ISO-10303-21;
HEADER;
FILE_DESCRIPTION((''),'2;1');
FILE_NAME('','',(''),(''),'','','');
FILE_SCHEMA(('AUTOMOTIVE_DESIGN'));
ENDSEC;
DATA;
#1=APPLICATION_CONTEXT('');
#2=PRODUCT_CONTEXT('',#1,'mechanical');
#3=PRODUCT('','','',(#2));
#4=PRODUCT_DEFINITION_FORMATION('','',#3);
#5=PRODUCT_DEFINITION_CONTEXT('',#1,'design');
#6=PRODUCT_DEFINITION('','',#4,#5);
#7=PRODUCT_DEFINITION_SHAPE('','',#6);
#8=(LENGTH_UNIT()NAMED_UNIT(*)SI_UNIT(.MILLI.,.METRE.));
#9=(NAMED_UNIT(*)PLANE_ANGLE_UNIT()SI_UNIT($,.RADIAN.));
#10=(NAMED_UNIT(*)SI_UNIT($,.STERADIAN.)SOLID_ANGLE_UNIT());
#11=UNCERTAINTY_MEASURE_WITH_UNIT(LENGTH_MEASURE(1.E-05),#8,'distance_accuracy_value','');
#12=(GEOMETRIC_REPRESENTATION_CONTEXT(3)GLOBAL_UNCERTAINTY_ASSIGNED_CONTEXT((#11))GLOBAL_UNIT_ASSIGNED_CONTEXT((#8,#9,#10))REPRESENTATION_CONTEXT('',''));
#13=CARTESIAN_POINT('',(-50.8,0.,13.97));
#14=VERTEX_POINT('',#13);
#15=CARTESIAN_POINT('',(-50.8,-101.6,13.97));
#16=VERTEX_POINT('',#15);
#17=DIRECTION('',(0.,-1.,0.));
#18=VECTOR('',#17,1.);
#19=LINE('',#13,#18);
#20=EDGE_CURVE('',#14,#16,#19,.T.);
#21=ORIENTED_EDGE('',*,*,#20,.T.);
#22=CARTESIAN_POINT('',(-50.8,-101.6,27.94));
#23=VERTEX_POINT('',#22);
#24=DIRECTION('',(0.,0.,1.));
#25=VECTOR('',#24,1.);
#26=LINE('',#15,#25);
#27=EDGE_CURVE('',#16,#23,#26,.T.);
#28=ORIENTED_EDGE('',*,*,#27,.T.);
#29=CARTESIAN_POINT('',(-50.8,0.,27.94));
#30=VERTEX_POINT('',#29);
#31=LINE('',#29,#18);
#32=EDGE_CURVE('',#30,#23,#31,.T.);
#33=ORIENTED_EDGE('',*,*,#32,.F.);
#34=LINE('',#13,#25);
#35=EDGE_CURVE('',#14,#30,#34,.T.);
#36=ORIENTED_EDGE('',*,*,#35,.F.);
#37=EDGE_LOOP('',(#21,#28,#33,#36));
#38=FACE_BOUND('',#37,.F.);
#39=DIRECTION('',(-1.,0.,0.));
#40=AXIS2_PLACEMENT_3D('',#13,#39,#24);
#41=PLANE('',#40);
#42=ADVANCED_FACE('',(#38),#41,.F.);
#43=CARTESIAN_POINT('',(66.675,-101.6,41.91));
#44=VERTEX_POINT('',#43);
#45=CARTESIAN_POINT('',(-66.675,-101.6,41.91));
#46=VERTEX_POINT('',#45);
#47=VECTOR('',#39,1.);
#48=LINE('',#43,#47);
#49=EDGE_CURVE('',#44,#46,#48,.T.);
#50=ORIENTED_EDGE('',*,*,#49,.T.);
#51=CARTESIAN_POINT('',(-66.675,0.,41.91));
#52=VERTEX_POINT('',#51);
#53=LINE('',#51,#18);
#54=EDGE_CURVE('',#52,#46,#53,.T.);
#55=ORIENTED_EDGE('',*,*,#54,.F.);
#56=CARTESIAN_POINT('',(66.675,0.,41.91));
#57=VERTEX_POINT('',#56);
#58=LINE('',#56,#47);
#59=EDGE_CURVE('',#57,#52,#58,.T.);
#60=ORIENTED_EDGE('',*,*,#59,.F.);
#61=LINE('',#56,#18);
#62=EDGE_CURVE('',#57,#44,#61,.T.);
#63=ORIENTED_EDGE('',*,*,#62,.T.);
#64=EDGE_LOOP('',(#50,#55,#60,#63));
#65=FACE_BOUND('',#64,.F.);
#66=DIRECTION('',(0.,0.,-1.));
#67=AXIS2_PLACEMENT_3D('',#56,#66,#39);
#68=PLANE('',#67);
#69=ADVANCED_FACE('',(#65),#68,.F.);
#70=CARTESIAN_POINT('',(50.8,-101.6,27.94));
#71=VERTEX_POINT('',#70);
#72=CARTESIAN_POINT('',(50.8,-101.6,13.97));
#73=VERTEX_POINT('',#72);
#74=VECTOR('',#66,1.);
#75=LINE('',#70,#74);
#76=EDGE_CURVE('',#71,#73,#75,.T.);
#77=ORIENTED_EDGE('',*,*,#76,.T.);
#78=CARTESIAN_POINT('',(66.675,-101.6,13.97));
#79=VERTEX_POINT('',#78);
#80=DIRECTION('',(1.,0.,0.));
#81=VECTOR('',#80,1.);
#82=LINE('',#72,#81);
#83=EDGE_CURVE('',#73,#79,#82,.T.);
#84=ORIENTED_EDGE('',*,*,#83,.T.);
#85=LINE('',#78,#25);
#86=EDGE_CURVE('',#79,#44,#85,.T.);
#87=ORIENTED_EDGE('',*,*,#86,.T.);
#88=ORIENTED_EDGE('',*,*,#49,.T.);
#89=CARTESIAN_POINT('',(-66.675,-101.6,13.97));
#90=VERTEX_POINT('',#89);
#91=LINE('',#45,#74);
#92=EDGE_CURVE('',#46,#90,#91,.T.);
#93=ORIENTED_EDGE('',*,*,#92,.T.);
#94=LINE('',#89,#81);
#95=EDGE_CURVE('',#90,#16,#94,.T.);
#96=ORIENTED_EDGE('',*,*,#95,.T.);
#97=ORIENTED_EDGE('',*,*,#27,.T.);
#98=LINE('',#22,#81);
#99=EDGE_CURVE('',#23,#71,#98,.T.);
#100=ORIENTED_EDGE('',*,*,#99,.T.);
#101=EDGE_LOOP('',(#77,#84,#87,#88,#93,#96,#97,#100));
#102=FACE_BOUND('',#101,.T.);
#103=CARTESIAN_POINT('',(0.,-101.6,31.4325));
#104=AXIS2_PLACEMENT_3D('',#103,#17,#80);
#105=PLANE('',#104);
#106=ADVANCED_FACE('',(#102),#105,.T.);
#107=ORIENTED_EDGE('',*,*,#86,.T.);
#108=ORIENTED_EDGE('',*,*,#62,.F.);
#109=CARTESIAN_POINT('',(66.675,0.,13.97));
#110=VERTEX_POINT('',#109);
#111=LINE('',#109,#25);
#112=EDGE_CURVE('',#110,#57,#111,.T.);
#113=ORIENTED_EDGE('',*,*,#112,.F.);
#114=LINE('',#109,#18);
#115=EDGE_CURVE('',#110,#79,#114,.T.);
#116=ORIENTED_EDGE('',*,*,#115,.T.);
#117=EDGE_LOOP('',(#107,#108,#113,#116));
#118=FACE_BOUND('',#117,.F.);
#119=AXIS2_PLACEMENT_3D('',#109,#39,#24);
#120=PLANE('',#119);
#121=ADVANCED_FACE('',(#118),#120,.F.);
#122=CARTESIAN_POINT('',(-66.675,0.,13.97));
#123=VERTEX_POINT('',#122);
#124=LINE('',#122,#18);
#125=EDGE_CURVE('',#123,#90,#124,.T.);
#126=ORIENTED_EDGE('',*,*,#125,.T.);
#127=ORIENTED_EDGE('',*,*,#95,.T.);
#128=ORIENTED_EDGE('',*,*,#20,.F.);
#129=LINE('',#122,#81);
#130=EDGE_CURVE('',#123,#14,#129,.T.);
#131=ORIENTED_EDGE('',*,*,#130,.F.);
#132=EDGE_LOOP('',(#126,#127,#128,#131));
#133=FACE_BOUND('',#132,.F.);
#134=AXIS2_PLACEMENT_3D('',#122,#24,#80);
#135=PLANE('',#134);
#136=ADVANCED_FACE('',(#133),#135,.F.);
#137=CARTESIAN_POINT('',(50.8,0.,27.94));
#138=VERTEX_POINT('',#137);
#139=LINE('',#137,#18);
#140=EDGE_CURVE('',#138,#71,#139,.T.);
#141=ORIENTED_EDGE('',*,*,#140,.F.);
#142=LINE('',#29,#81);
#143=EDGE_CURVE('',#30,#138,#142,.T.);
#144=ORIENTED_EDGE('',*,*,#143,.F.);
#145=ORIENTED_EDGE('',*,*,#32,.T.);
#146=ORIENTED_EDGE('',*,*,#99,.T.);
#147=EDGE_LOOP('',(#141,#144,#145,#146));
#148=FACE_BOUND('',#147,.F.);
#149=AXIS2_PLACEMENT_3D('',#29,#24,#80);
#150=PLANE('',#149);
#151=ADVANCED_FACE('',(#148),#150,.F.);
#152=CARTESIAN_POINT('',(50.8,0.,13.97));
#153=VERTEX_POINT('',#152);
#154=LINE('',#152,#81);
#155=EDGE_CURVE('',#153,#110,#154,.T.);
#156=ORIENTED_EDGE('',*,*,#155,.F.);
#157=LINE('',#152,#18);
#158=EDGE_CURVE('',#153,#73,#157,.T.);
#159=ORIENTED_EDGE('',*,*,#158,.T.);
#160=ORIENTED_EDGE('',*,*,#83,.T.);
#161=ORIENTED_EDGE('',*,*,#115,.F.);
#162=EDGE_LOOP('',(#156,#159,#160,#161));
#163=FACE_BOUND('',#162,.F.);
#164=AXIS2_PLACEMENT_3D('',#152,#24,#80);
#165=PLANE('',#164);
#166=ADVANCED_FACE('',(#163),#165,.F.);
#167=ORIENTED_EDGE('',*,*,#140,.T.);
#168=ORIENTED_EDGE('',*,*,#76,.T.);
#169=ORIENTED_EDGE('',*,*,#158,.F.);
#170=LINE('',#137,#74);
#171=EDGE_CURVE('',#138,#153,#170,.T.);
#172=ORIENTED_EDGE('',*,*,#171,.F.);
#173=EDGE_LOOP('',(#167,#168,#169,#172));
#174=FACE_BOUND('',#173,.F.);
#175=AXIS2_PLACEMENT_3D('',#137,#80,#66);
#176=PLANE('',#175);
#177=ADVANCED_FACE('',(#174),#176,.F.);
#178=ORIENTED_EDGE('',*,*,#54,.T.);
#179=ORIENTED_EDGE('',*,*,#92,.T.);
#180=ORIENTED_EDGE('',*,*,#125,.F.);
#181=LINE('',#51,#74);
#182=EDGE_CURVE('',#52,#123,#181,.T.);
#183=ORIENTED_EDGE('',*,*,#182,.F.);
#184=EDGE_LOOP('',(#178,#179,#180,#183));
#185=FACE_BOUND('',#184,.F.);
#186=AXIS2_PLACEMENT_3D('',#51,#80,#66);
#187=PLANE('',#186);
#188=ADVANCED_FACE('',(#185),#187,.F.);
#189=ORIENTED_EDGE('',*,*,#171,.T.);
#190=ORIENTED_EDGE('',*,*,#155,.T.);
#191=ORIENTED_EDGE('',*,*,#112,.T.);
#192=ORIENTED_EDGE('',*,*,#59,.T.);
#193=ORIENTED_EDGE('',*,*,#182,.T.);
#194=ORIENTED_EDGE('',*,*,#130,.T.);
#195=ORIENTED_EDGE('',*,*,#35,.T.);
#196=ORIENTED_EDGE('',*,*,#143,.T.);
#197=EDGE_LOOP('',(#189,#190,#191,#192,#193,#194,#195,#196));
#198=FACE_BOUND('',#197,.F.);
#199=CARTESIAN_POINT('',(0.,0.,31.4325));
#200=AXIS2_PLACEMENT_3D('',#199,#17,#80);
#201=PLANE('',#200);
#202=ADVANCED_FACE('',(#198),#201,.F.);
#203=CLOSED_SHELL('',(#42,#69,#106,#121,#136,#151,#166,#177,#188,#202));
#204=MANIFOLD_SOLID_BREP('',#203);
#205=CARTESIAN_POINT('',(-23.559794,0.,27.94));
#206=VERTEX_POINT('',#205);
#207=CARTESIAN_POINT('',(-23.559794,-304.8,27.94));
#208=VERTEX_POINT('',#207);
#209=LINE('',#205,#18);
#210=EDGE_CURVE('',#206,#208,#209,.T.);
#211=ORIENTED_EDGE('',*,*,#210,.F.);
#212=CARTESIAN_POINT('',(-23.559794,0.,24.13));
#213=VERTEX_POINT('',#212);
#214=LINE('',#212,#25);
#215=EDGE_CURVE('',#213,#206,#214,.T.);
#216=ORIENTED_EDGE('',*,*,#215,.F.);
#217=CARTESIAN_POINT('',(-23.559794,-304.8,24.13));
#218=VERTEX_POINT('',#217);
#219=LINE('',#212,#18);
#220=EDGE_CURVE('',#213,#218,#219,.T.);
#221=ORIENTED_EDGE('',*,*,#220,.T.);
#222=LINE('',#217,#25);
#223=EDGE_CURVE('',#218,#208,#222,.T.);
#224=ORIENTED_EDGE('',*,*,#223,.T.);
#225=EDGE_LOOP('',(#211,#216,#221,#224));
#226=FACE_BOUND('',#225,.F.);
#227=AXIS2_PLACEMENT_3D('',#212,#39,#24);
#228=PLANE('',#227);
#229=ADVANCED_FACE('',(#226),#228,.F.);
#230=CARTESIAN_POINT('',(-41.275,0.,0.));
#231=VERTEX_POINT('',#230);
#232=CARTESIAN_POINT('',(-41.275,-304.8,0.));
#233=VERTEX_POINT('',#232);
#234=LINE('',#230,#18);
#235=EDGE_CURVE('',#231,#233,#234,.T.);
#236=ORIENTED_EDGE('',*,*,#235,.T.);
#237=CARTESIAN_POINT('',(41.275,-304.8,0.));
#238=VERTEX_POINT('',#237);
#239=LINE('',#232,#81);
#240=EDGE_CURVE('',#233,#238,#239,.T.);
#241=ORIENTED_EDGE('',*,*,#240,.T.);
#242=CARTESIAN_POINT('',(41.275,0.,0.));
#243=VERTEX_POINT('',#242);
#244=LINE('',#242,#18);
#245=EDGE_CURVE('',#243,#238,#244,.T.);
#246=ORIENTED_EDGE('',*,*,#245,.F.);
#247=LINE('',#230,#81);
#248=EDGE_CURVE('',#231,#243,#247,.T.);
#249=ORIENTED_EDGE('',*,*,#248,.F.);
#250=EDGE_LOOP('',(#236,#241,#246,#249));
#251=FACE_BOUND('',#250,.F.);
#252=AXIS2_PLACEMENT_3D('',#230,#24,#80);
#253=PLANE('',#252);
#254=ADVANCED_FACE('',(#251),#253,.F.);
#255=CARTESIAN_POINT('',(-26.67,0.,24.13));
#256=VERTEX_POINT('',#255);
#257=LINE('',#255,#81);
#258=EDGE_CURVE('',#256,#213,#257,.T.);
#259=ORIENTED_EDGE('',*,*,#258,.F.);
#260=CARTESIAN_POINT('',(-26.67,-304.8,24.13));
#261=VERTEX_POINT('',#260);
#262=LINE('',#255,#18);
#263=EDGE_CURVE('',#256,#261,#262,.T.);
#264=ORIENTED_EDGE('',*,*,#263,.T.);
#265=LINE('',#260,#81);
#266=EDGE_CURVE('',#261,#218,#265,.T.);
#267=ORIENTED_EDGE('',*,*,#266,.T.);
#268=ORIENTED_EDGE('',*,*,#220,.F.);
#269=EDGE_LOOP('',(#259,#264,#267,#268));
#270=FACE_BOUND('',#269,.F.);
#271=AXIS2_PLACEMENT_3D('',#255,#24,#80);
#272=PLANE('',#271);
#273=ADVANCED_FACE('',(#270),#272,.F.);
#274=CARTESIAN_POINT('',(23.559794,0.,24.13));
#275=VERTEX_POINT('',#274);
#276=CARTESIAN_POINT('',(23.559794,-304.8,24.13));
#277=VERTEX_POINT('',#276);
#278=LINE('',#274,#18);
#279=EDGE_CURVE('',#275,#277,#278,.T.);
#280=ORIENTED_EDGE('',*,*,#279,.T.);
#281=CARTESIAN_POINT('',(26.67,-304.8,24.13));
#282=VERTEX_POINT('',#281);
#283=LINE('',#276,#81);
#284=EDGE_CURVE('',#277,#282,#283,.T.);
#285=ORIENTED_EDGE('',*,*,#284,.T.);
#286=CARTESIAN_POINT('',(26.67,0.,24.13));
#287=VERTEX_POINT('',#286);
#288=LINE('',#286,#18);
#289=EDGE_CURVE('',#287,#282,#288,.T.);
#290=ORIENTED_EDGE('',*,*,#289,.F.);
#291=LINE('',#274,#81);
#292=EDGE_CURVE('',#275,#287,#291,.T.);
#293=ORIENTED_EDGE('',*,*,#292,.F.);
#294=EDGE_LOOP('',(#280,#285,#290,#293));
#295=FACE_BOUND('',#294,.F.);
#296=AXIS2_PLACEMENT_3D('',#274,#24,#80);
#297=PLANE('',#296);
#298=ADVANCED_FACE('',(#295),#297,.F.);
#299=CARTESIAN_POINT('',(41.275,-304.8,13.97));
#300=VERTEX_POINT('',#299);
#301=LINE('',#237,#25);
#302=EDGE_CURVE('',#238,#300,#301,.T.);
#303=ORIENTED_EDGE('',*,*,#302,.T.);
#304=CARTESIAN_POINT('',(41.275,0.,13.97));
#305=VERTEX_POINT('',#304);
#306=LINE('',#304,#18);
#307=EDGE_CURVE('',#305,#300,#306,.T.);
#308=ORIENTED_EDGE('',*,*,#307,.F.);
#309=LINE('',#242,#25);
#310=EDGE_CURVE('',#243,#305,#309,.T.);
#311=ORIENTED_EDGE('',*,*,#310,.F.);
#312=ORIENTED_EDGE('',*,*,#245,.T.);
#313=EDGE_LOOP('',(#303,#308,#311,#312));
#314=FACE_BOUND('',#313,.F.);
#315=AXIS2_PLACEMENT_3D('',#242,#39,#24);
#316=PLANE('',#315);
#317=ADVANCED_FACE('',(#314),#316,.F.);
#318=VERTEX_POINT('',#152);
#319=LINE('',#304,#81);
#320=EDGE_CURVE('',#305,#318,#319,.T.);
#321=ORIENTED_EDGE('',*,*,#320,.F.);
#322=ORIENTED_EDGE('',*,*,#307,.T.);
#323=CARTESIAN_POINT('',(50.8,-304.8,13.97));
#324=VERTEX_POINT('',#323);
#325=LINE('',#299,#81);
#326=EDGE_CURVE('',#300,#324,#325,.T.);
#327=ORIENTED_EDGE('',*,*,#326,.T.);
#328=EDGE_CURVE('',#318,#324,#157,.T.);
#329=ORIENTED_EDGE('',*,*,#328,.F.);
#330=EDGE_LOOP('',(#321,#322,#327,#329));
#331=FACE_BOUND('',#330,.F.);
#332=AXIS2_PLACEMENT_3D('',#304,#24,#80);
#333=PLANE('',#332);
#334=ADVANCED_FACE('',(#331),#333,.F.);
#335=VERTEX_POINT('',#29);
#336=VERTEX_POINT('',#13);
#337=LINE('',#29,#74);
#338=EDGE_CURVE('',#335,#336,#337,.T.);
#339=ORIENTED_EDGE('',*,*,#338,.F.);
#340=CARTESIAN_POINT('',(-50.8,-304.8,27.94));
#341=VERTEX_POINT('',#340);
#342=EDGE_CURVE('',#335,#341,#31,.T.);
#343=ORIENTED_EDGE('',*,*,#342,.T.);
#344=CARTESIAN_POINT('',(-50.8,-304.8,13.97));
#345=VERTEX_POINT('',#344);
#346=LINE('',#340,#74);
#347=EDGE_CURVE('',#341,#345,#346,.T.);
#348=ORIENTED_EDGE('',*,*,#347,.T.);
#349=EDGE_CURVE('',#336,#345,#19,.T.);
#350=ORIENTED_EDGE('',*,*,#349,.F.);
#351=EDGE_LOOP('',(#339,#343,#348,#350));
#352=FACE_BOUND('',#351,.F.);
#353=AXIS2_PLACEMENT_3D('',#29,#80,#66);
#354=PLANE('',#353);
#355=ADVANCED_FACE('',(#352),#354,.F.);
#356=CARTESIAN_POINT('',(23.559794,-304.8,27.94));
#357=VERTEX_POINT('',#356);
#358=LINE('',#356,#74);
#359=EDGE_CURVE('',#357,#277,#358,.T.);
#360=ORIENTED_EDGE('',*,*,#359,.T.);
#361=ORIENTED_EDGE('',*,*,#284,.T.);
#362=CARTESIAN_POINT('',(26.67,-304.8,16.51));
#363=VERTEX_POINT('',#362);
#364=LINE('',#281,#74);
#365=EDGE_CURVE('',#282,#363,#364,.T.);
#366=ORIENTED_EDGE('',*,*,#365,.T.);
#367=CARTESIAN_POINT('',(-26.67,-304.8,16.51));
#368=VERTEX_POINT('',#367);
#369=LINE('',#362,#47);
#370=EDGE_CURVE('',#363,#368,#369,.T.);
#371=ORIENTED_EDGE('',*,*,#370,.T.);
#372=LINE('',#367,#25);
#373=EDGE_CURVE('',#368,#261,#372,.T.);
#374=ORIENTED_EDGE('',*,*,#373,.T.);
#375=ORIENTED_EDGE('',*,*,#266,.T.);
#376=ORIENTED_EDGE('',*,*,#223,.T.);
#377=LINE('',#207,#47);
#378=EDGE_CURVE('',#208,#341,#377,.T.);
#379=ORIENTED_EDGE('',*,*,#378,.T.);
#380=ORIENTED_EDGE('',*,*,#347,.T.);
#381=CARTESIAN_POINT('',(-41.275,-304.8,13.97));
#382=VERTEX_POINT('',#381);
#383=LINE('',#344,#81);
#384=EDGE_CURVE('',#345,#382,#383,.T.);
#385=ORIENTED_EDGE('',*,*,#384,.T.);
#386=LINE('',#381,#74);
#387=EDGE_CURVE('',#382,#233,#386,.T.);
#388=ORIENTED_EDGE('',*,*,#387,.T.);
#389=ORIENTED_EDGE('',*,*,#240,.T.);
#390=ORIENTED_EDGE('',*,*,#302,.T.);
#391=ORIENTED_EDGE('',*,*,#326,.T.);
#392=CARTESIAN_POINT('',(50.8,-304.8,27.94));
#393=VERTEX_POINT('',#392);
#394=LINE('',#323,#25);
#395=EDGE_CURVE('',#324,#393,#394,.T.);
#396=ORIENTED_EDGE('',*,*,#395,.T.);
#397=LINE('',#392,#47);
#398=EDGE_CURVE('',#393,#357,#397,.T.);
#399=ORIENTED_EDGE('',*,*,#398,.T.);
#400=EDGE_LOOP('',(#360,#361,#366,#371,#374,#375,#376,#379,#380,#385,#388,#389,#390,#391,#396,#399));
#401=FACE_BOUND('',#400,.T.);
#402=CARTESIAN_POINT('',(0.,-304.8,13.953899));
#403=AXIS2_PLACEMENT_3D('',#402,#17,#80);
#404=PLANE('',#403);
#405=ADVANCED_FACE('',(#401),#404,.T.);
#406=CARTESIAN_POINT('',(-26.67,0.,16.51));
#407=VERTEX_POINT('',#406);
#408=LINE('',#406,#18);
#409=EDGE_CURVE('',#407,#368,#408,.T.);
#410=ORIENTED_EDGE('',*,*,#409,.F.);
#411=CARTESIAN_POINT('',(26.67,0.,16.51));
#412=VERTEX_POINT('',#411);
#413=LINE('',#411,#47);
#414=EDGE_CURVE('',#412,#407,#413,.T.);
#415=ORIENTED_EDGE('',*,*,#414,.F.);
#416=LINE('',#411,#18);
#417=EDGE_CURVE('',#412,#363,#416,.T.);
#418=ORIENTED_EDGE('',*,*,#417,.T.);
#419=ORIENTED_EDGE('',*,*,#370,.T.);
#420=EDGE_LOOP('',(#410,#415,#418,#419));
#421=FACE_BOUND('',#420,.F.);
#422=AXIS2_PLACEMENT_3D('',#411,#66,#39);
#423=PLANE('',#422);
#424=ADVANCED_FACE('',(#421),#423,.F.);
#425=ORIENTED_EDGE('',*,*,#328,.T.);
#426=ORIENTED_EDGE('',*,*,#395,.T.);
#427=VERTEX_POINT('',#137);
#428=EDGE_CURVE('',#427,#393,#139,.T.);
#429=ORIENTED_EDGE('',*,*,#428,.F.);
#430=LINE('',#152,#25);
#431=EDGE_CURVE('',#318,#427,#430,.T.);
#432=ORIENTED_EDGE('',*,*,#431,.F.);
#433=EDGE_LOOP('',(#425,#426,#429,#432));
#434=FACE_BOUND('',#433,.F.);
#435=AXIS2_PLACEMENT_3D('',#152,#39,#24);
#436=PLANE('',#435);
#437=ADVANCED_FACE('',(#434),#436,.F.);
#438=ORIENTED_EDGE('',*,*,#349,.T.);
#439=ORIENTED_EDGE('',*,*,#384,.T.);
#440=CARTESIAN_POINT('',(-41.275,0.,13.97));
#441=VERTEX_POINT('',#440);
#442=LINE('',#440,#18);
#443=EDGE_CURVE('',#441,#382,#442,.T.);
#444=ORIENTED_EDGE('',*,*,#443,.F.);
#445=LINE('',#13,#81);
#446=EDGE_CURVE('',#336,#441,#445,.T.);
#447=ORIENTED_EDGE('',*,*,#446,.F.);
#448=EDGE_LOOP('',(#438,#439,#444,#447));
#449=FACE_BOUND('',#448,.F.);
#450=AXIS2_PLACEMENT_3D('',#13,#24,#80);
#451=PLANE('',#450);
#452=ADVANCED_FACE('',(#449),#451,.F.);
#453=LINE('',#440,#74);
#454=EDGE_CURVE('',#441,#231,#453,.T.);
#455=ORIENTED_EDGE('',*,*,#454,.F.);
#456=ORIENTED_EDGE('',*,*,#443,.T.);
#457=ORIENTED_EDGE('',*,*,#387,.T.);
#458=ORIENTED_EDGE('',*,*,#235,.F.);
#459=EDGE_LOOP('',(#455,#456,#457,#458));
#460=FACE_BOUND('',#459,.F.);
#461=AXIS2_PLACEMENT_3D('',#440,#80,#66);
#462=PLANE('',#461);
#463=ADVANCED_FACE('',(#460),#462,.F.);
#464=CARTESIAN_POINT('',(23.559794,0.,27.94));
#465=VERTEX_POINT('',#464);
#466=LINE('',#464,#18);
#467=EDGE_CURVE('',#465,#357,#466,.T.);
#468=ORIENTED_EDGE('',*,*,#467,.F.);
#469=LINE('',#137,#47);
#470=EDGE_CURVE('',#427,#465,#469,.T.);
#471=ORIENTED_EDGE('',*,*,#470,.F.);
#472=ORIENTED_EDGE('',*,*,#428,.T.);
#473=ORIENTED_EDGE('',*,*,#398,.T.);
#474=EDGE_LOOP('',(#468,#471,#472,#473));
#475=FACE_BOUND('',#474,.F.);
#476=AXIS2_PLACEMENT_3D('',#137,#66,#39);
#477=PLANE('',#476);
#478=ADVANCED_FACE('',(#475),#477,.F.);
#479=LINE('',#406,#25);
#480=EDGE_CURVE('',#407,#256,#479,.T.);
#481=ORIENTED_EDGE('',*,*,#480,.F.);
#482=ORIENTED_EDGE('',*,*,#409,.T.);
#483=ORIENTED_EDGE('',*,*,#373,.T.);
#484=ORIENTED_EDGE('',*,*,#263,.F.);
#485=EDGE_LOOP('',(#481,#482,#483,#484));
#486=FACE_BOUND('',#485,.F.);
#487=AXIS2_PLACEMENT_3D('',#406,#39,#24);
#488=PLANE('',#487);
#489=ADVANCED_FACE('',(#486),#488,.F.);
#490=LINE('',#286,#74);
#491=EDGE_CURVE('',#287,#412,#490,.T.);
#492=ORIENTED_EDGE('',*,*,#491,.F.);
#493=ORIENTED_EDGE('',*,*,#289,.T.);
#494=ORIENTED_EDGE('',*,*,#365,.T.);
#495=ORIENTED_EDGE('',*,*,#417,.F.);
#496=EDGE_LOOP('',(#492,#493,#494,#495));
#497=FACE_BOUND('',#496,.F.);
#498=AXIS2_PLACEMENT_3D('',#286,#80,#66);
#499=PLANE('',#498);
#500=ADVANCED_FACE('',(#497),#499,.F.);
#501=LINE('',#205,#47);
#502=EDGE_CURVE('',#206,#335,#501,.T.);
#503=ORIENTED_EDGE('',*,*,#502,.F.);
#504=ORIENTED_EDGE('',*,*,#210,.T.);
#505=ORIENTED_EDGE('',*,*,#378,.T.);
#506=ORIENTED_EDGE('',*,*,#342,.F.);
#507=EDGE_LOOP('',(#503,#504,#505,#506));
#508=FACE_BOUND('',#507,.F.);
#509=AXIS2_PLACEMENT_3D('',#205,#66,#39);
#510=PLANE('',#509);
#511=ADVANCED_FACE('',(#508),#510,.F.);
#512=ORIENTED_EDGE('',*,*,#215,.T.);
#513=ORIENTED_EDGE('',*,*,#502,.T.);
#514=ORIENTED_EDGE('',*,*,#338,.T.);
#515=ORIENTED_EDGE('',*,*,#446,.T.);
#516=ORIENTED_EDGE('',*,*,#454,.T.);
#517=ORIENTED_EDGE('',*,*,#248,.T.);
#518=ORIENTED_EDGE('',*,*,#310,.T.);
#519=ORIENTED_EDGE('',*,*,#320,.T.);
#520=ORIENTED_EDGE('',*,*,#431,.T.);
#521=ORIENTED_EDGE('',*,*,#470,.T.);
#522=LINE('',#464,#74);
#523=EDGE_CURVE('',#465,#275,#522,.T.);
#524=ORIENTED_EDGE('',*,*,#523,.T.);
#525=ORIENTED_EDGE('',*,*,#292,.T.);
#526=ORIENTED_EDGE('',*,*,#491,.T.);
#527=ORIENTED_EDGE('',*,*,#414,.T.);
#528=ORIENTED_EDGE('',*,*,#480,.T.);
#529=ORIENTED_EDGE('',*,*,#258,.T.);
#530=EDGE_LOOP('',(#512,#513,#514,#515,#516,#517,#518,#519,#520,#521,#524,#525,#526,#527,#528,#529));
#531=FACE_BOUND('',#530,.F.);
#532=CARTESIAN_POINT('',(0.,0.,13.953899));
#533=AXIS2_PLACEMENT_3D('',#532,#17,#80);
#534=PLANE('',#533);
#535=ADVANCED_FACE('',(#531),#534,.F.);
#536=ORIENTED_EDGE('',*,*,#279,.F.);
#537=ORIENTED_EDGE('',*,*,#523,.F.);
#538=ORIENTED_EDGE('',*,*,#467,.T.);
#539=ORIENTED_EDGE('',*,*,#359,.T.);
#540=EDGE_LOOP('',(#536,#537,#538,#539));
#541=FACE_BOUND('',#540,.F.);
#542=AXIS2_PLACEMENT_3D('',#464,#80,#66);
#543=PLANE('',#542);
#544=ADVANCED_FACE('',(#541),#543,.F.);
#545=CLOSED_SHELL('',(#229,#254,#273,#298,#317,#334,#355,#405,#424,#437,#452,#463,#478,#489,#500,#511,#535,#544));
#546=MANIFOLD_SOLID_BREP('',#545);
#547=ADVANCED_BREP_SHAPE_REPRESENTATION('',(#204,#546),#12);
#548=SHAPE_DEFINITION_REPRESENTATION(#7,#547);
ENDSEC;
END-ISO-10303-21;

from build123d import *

# Parameters (mm, degrees)
F1_DEPTH = 304.8
F2_DEPTH = 101.6


with BuildPart() as f1:
    # F0 (on Front) → F1 (new body)
    with BuildSketch(Plane.XZ):
        Polygon((26.67, 16.51), (0, 16.51), (-26.67, 16.51), (-26.67, 24.13), (-23.559794, 24.13), (-23.559794, 27.94), (-50.8, 27.94), (-50.8, 13.97), (-41.275, 13.97), (-41.275, 1.27), (-41.275, 0), (0, 0), (41.275, 0), (41.275, 1.27), (41.275, 13.97), (50.8, 13.97), (50.8, 27.94), (23.559794, 27.94), (23.559794, 24.13), (26.67, 24.13), align=None)
    extrude(amount=F1_DEPTH)


with BuildPart() as f2:
    # F0 (on Front) → F2 (new body)
    with BuildSketch(Plane.XZ):
        Polygon((0, 27.94), (23.559794, 27.94), (50.8, 27.94), (50.8, 13.97), (66.675, 13.97), (66.675, 41.91), (0, 41.91), (-66.675, 41.91), (-66.675, 13.97), (-50.8, 13.97), (-50.8, 27.94), (-23.559794, 27.94), align=None)
    extrude(amount=F2_DEPTH)


solid = Compound([f1.part, f2.part])
